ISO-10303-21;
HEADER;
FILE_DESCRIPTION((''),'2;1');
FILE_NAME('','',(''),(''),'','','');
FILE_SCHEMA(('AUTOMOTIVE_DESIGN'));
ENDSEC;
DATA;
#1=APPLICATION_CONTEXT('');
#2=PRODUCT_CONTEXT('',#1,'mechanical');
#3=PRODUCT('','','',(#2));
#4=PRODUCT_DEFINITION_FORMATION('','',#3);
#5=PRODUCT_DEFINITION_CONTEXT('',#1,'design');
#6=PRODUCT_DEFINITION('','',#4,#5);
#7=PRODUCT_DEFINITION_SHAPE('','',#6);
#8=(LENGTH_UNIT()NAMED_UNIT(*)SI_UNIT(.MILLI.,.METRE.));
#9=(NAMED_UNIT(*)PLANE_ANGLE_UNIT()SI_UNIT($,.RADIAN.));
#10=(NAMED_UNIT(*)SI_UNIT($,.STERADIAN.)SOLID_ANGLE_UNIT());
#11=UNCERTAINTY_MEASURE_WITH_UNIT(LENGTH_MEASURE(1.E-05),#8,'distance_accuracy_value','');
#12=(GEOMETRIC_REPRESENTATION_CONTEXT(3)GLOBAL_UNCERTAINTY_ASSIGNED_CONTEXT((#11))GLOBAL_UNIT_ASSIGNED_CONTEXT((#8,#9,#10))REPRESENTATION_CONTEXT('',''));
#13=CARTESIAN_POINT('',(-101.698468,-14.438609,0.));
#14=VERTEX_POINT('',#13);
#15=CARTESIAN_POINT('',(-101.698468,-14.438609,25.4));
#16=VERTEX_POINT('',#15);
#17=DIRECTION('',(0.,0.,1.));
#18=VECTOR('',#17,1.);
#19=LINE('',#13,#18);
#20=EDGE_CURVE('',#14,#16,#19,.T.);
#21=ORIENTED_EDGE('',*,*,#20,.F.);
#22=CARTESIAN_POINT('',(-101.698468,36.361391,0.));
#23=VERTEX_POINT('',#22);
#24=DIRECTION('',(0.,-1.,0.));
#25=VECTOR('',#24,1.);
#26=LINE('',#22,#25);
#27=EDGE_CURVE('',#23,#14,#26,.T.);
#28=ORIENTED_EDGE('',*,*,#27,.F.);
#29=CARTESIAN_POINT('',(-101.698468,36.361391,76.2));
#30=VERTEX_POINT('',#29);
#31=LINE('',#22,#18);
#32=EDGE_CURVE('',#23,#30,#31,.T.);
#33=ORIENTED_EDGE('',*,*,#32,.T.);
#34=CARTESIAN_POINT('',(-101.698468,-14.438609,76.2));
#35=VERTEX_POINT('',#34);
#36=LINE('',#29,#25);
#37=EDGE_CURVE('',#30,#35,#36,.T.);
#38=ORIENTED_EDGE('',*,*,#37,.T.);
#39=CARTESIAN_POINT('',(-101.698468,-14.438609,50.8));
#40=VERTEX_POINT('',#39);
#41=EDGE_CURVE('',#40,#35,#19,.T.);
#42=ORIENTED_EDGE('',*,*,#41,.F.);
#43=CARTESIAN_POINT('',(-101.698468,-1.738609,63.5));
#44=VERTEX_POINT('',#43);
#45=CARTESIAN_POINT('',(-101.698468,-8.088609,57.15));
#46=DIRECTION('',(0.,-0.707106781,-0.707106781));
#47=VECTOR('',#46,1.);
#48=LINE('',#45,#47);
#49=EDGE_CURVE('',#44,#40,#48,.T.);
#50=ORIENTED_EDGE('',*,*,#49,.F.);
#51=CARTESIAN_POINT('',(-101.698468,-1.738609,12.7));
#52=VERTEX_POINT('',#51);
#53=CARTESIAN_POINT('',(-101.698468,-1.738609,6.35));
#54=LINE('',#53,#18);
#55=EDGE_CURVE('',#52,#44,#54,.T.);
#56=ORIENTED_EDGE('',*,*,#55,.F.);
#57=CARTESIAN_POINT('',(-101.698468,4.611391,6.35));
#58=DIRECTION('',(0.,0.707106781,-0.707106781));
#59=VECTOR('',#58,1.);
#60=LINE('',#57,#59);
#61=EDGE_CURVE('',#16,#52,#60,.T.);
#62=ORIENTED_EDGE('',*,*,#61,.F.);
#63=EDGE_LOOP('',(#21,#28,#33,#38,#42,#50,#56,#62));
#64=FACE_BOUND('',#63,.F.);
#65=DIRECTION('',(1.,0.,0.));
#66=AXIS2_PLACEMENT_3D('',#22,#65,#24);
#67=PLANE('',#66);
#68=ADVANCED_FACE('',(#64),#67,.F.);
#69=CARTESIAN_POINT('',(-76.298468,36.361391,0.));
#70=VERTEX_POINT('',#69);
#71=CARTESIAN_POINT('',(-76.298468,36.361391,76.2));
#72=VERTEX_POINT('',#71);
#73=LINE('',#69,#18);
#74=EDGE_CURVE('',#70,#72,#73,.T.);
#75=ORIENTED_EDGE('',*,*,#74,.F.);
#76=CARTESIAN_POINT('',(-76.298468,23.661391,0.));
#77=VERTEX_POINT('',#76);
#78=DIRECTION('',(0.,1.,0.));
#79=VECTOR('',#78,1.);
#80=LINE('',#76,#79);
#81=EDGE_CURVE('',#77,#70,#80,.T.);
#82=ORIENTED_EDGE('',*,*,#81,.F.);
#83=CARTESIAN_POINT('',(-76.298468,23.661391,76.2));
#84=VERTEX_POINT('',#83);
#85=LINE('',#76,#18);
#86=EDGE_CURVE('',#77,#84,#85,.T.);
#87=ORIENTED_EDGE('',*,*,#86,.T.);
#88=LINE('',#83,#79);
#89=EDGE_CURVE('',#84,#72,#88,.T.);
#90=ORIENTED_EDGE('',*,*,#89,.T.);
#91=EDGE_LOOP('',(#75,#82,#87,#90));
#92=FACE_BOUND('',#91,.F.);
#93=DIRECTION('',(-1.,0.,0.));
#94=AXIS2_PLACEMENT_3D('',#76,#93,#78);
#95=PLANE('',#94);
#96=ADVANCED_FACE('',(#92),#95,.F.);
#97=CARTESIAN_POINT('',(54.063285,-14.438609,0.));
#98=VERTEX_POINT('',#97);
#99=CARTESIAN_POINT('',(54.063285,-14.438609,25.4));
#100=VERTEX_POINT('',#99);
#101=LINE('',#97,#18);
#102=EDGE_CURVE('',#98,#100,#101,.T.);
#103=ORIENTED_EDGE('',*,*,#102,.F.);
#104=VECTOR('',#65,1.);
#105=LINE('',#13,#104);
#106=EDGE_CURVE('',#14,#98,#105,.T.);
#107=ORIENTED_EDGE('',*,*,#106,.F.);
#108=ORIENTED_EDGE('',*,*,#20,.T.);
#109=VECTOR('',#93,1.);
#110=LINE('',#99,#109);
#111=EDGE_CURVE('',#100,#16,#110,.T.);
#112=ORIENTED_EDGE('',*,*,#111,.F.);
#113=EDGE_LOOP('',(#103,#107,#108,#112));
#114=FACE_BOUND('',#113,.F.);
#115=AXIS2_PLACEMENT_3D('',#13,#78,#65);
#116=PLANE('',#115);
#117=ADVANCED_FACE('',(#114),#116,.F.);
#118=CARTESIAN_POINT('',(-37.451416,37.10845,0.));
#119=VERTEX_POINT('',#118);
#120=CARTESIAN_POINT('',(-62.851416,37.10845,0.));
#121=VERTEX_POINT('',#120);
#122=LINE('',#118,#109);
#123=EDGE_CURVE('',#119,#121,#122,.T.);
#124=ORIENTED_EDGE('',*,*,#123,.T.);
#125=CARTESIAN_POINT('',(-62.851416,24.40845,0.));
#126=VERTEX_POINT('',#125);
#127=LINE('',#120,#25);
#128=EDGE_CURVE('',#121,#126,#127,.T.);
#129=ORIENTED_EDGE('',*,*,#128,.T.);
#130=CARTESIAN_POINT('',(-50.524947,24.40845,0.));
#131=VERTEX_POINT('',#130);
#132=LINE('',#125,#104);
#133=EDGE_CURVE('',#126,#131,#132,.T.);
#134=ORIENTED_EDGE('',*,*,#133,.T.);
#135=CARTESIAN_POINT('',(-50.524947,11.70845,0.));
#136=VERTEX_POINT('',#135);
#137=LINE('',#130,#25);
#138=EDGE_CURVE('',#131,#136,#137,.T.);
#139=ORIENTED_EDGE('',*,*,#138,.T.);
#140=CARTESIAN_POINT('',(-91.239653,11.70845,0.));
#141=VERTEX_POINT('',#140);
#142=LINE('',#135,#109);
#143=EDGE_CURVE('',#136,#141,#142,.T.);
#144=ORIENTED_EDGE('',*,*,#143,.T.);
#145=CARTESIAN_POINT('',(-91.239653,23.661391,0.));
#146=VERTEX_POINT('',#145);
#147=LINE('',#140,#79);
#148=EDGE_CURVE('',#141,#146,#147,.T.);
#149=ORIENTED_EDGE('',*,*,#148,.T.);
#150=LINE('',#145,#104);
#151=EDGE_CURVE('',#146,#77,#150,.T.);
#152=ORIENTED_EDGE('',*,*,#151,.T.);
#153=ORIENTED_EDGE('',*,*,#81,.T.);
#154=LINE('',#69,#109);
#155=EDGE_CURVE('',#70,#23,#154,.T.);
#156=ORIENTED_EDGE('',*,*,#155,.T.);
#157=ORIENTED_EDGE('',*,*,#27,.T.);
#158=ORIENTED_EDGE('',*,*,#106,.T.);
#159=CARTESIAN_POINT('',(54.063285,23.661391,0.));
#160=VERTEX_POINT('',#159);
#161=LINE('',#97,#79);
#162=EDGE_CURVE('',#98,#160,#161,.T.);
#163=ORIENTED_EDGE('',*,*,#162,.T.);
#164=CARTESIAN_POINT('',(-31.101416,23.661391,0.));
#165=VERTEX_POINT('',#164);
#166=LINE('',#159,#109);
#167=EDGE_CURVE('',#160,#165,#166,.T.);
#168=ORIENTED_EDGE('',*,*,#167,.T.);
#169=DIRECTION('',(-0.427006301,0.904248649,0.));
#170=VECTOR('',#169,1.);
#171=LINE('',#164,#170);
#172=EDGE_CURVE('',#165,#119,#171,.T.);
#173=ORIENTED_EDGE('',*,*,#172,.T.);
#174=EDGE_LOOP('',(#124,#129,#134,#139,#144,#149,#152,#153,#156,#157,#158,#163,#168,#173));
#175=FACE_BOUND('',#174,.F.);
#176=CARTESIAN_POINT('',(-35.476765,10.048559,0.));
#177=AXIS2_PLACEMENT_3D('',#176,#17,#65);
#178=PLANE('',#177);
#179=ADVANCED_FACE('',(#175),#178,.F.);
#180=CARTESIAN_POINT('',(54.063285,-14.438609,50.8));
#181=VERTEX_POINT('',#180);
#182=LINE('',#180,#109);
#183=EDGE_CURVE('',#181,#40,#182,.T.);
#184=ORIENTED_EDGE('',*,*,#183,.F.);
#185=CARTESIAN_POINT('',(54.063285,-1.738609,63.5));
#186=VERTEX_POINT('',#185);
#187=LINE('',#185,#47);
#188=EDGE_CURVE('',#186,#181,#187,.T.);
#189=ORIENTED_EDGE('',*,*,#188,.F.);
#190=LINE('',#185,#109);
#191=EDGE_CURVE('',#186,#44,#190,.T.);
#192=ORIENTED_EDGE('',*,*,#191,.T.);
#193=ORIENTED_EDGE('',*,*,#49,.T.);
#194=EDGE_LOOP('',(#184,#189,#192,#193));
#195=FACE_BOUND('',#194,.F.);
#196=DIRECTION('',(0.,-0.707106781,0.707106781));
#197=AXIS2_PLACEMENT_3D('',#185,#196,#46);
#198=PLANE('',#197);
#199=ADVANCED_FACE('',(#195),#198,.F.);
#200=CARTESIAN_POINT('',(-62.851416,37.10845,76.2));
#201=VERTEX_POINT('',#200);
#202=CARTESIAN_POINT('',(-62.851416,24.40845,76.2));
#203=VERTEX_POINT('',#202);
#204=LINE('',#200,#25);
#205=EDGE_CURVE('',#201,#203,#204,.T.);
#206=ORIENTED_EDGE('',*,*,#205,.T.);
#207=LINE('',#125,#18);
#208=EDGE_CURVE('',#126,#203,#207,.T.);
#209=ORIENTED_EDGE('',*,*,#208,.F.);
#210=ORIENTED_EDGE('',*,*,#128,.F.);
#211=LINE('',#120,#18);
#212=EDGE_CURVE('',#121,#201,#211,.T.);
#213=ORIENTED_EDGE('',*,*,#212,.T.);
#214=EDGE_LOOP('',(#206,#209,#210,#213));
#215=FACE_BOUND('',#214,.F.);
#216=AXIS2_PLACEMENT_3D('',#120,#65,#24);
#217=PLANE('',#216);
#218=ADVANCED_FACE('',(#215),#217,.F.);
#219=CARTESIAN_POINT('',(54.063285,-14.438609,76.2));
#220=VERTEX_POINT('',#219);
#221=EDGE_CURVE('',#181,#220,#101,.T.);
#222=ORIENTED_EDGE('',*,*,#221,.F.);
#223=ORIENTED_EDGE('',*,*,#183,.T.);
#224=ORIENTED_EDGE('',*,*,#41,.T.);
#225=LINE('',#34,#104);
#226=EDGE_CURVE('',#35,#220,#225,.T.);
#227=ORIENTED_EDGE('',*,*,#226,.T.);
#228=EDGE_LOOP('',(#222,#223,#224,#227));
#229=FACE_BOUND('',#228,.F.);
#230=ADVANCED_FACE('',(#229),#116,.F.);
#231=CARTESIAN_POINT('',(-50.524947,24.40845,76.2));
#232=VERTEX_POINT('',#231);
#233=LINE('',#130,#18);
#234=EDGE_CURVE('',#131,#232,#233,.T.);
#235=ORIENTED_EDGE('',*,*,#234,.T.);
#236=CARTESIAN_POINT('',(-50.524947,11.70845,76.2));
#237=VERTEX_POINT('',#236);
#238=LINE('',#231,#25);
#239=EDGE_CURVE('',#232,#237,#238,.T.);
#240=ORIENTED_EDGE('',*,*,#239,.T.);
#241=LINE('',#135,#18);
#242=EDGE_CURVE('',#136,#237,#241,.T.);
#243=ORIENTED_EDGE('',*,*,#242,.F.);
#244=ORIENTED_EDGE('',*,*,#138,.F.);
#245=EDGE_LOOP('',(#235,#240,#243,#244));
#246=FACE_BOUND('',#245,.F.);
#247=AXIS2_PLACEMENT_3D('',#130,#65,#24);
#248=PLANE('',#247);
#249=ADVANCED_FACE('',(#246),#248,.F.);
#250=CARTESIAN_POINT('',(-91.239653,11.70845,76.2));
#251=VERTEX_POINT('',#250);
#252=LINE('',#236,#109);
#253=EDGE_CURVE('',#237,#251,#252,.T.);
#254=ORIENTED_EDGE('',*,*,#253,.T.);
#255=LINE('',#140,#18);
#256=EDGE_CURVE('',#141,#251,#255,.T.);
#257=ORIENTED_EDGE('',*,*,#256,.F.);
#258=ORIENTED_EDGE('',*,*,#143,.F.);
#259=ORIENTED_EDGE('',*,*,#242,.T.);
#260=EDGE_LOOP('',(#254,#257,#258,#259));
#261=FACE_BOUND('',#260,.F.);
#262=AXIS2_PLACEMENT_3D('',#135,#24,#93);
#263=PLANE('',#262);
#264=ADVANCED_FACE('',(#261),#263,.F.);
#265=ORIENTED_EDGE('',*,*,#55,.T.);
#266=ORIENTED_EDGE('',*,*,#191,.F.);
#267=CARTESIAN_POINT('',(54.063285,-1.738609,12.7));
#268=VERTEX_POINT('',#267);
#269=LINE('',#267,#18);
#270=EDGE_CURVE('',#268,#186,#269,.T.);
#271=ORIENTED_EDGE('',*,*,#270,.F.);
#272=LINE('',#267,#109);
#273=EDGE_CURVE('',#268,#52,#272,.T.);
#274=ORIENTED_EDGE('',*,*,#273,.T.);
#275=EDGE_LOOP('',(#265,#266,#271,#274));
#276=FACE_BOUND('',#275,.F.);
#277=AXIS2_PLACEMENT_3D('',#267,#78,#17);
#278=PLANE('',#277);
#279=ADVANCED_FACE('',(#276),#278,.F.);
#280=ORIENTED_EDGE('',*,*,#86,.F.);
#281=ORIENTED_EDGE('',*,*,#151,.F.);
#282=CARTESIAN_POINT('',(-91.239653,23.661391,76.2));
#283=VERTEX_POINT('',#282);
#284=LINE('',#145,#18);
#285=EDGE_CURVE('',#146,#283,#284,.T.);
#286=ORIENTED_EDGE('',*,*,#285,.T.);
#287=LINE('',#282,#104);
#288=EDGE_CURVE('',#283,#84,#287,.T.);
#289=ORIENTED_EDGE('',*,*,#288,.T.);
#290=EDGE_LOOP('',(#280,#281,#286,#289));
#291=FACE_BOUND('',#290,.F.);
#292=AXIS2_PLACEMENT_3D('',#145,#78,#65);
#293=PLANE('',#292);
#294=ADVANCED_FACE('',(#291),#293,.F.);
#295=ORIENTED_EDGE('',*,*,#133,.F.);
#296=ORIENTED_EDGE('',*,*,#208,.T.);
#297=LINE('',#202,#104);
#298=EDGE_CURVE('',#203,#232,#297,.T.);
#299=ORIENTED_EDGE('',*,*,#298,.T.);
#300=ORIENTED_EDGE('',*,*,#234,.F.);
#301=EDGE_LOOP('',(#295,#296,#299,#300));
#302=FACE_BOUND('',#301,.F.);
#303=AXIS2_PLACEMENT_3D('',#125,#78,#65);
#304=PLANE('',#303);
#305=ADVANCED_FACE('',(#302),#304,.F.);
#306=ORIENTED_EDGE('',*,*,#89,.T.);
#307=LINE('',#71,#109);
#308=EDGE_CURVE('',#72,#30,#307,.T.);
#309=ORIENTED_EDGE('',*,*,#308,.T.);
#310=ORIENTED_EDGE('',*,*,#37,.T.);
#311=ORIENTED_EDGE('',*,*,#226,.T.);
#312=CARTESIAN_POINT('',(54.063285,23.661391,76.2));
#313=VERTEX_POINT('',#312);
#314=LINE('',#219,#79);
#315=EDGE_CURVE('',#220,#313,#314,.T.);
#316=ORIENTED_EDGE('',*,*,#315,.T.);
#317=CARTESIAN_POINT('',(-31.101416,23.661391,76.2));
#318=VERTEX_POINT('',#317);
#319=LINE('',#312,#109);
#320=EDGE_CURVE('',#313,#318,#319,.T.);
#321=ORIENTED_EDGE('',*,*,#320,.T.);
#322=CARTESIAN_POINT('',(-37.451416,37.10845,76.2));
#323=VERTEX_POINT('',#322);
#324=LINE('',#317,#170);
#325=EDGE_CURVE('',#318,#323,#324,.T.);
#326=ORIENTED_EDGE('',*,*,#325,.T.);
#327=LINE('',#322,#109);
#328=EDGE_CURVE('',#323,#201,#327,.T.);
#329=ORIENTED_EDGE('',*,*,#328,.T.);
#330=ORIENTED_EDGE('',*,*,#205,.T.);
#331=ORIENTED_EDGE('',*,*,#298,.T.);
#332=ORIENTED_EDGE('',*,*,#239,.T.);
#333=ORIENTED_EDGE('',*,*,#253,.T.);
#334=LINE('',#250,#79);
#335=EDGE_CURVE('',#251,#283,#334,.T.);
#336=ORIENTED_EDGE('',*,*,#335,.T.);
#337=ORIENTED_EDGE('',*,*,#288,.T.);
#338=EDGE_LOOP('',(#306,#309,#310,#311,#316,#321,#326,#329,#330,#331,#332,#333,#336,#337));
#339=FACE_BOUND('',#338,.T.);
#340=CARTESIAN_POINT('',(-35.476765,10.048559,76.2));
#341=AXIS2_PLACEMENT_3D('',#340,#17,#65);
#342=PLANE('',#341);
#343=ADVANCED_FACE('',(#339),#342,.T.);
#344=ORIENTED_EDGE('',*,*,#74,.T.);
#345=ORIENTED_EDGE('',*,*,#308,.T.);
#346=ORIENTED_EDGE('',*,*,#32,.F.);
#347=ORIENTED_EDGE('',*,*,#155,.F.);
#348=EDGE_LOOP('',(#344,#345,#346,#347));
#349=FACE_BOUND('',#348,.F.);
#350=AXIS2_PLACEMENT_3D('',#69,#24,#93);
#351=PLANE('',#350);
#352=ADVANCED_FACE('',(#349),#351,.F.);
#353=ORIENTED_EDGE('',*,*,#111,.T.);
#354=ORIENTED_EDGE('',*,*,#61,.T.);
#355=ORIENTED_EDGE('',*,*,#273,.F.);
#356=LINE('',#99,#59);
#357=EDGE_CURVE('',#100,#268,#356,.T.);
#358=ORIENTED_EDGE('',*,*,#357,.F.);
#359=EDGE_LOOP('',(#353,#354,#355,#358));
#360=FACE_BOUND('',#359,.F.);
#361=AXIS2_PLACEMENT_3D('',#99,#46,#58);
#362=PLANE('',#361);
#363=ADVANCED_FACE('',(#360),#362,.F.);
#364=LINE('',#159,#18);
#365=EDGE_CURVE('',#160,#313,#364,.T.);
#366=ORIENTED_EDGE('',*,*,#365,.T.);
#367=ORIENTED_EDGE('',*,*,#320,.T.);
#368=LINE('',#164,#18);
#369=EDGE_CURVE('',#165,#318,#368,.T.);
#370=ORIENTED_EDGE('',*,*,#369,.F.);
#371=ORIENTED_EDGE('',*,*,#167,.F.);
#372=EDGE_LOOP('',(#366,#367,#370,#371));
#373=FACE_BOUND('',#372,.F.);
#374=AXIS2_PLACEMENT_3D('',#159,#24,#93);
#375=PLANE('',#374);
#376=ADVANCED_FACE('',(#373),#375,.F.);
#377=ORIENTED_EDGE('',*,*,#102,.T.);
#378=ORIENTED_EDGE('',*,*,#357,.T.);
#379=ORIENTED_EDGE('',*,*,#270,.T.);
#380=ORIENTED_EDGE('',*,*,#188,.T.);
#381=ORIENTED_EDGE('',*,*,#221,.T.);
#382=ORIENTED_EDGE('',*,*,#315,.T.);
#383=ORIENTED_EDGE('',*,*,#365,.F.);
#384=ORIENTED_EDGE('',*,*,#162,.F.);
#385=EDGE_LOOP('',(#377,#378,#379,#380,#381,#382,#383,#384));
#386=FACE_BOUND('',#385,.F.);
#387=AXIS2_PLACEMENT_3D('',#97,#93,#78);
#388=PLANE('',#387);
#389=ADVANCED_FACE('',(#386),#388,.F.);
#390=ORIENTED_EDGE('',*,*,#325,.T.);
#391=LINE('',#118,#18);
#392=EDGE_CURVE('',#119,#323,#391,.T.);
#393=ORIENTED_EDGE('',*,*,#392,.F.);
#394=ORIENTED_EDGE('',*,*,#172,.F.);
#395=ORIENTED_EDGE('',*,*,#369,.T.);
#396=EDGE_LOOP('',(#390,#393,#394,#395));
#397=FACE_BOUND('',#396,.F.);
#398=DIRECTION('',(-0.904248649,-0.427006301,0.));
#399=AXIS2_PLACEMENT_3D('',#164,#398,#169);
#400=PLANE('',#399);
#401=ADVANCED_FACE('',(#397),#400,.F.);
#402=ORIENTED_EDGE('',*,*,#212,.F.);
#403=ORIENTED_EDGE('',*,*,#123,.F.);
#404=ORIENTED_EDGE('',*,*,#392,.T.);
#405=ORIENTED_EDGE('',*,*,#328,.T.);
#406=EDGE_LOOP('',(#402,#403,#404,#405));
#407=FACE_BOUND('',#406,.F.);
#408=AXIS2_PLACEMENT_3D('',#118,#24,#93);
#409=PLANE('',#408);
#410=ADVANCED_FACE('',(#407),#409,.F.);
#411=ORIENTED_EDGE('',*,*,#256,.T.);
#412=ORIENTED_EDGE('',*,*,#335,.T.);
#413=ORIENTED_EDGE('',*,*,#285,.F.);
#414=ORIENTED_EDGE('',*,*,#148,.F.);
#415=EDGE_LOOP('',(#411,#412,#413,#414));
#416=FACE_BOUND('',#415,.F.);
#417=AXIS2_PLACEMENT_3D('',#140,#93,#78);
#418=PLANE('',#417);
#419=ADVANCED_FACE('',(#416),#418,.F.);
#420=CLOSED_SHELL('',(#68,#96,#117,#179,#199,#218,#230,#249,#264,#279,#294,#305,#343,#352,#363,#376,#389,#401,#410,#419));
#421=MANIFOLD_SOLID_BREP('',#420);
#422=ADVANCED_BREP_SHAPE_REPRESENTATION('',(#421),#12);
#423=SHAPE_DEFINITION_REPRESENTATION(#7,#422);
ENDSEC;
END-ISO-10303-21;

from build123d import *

# Parameters (mm, degrees)
F1_DEPTH = 76.2
F3_DEPTH = 155.762753


with BuildPart() as f1:
    # F0 (on Top) → F1 (new body)
    with BuildSketch(Plane.XY):
        Polygon((-76.298468, 36.361391), (-101.698468, 36.361391), (-101.698468, -14.438609), (54.063285, -14.438609), (54.063285, 23.661391), (-31.101416, 23.661391), (-37.451416, 37.10845), (-62.851416, 37.10845), (-62.851416, 24.40845), (-50.524947, 24.40845), (-50.524947, 11.70845), (-91.239653, 11.70845), (-91.239653, 23.661391), (-76.298468, 23.661391), align=None)
    extrude(amount=F1_DEPTH)

    # F2 (on face) → F3 (cut, through all)
    with BuildSketch(Plane.YZ.offset(54.063285)):
        Polygon((-14.438609, 50.8), (-14.438609, 25.4), (-1.738609, 12.7), (-1.738609, 63.5), align=None)
    extrude(amount=-F3_DEPTH, mode=Mode.SUBTRACT)


solid = f1.part
